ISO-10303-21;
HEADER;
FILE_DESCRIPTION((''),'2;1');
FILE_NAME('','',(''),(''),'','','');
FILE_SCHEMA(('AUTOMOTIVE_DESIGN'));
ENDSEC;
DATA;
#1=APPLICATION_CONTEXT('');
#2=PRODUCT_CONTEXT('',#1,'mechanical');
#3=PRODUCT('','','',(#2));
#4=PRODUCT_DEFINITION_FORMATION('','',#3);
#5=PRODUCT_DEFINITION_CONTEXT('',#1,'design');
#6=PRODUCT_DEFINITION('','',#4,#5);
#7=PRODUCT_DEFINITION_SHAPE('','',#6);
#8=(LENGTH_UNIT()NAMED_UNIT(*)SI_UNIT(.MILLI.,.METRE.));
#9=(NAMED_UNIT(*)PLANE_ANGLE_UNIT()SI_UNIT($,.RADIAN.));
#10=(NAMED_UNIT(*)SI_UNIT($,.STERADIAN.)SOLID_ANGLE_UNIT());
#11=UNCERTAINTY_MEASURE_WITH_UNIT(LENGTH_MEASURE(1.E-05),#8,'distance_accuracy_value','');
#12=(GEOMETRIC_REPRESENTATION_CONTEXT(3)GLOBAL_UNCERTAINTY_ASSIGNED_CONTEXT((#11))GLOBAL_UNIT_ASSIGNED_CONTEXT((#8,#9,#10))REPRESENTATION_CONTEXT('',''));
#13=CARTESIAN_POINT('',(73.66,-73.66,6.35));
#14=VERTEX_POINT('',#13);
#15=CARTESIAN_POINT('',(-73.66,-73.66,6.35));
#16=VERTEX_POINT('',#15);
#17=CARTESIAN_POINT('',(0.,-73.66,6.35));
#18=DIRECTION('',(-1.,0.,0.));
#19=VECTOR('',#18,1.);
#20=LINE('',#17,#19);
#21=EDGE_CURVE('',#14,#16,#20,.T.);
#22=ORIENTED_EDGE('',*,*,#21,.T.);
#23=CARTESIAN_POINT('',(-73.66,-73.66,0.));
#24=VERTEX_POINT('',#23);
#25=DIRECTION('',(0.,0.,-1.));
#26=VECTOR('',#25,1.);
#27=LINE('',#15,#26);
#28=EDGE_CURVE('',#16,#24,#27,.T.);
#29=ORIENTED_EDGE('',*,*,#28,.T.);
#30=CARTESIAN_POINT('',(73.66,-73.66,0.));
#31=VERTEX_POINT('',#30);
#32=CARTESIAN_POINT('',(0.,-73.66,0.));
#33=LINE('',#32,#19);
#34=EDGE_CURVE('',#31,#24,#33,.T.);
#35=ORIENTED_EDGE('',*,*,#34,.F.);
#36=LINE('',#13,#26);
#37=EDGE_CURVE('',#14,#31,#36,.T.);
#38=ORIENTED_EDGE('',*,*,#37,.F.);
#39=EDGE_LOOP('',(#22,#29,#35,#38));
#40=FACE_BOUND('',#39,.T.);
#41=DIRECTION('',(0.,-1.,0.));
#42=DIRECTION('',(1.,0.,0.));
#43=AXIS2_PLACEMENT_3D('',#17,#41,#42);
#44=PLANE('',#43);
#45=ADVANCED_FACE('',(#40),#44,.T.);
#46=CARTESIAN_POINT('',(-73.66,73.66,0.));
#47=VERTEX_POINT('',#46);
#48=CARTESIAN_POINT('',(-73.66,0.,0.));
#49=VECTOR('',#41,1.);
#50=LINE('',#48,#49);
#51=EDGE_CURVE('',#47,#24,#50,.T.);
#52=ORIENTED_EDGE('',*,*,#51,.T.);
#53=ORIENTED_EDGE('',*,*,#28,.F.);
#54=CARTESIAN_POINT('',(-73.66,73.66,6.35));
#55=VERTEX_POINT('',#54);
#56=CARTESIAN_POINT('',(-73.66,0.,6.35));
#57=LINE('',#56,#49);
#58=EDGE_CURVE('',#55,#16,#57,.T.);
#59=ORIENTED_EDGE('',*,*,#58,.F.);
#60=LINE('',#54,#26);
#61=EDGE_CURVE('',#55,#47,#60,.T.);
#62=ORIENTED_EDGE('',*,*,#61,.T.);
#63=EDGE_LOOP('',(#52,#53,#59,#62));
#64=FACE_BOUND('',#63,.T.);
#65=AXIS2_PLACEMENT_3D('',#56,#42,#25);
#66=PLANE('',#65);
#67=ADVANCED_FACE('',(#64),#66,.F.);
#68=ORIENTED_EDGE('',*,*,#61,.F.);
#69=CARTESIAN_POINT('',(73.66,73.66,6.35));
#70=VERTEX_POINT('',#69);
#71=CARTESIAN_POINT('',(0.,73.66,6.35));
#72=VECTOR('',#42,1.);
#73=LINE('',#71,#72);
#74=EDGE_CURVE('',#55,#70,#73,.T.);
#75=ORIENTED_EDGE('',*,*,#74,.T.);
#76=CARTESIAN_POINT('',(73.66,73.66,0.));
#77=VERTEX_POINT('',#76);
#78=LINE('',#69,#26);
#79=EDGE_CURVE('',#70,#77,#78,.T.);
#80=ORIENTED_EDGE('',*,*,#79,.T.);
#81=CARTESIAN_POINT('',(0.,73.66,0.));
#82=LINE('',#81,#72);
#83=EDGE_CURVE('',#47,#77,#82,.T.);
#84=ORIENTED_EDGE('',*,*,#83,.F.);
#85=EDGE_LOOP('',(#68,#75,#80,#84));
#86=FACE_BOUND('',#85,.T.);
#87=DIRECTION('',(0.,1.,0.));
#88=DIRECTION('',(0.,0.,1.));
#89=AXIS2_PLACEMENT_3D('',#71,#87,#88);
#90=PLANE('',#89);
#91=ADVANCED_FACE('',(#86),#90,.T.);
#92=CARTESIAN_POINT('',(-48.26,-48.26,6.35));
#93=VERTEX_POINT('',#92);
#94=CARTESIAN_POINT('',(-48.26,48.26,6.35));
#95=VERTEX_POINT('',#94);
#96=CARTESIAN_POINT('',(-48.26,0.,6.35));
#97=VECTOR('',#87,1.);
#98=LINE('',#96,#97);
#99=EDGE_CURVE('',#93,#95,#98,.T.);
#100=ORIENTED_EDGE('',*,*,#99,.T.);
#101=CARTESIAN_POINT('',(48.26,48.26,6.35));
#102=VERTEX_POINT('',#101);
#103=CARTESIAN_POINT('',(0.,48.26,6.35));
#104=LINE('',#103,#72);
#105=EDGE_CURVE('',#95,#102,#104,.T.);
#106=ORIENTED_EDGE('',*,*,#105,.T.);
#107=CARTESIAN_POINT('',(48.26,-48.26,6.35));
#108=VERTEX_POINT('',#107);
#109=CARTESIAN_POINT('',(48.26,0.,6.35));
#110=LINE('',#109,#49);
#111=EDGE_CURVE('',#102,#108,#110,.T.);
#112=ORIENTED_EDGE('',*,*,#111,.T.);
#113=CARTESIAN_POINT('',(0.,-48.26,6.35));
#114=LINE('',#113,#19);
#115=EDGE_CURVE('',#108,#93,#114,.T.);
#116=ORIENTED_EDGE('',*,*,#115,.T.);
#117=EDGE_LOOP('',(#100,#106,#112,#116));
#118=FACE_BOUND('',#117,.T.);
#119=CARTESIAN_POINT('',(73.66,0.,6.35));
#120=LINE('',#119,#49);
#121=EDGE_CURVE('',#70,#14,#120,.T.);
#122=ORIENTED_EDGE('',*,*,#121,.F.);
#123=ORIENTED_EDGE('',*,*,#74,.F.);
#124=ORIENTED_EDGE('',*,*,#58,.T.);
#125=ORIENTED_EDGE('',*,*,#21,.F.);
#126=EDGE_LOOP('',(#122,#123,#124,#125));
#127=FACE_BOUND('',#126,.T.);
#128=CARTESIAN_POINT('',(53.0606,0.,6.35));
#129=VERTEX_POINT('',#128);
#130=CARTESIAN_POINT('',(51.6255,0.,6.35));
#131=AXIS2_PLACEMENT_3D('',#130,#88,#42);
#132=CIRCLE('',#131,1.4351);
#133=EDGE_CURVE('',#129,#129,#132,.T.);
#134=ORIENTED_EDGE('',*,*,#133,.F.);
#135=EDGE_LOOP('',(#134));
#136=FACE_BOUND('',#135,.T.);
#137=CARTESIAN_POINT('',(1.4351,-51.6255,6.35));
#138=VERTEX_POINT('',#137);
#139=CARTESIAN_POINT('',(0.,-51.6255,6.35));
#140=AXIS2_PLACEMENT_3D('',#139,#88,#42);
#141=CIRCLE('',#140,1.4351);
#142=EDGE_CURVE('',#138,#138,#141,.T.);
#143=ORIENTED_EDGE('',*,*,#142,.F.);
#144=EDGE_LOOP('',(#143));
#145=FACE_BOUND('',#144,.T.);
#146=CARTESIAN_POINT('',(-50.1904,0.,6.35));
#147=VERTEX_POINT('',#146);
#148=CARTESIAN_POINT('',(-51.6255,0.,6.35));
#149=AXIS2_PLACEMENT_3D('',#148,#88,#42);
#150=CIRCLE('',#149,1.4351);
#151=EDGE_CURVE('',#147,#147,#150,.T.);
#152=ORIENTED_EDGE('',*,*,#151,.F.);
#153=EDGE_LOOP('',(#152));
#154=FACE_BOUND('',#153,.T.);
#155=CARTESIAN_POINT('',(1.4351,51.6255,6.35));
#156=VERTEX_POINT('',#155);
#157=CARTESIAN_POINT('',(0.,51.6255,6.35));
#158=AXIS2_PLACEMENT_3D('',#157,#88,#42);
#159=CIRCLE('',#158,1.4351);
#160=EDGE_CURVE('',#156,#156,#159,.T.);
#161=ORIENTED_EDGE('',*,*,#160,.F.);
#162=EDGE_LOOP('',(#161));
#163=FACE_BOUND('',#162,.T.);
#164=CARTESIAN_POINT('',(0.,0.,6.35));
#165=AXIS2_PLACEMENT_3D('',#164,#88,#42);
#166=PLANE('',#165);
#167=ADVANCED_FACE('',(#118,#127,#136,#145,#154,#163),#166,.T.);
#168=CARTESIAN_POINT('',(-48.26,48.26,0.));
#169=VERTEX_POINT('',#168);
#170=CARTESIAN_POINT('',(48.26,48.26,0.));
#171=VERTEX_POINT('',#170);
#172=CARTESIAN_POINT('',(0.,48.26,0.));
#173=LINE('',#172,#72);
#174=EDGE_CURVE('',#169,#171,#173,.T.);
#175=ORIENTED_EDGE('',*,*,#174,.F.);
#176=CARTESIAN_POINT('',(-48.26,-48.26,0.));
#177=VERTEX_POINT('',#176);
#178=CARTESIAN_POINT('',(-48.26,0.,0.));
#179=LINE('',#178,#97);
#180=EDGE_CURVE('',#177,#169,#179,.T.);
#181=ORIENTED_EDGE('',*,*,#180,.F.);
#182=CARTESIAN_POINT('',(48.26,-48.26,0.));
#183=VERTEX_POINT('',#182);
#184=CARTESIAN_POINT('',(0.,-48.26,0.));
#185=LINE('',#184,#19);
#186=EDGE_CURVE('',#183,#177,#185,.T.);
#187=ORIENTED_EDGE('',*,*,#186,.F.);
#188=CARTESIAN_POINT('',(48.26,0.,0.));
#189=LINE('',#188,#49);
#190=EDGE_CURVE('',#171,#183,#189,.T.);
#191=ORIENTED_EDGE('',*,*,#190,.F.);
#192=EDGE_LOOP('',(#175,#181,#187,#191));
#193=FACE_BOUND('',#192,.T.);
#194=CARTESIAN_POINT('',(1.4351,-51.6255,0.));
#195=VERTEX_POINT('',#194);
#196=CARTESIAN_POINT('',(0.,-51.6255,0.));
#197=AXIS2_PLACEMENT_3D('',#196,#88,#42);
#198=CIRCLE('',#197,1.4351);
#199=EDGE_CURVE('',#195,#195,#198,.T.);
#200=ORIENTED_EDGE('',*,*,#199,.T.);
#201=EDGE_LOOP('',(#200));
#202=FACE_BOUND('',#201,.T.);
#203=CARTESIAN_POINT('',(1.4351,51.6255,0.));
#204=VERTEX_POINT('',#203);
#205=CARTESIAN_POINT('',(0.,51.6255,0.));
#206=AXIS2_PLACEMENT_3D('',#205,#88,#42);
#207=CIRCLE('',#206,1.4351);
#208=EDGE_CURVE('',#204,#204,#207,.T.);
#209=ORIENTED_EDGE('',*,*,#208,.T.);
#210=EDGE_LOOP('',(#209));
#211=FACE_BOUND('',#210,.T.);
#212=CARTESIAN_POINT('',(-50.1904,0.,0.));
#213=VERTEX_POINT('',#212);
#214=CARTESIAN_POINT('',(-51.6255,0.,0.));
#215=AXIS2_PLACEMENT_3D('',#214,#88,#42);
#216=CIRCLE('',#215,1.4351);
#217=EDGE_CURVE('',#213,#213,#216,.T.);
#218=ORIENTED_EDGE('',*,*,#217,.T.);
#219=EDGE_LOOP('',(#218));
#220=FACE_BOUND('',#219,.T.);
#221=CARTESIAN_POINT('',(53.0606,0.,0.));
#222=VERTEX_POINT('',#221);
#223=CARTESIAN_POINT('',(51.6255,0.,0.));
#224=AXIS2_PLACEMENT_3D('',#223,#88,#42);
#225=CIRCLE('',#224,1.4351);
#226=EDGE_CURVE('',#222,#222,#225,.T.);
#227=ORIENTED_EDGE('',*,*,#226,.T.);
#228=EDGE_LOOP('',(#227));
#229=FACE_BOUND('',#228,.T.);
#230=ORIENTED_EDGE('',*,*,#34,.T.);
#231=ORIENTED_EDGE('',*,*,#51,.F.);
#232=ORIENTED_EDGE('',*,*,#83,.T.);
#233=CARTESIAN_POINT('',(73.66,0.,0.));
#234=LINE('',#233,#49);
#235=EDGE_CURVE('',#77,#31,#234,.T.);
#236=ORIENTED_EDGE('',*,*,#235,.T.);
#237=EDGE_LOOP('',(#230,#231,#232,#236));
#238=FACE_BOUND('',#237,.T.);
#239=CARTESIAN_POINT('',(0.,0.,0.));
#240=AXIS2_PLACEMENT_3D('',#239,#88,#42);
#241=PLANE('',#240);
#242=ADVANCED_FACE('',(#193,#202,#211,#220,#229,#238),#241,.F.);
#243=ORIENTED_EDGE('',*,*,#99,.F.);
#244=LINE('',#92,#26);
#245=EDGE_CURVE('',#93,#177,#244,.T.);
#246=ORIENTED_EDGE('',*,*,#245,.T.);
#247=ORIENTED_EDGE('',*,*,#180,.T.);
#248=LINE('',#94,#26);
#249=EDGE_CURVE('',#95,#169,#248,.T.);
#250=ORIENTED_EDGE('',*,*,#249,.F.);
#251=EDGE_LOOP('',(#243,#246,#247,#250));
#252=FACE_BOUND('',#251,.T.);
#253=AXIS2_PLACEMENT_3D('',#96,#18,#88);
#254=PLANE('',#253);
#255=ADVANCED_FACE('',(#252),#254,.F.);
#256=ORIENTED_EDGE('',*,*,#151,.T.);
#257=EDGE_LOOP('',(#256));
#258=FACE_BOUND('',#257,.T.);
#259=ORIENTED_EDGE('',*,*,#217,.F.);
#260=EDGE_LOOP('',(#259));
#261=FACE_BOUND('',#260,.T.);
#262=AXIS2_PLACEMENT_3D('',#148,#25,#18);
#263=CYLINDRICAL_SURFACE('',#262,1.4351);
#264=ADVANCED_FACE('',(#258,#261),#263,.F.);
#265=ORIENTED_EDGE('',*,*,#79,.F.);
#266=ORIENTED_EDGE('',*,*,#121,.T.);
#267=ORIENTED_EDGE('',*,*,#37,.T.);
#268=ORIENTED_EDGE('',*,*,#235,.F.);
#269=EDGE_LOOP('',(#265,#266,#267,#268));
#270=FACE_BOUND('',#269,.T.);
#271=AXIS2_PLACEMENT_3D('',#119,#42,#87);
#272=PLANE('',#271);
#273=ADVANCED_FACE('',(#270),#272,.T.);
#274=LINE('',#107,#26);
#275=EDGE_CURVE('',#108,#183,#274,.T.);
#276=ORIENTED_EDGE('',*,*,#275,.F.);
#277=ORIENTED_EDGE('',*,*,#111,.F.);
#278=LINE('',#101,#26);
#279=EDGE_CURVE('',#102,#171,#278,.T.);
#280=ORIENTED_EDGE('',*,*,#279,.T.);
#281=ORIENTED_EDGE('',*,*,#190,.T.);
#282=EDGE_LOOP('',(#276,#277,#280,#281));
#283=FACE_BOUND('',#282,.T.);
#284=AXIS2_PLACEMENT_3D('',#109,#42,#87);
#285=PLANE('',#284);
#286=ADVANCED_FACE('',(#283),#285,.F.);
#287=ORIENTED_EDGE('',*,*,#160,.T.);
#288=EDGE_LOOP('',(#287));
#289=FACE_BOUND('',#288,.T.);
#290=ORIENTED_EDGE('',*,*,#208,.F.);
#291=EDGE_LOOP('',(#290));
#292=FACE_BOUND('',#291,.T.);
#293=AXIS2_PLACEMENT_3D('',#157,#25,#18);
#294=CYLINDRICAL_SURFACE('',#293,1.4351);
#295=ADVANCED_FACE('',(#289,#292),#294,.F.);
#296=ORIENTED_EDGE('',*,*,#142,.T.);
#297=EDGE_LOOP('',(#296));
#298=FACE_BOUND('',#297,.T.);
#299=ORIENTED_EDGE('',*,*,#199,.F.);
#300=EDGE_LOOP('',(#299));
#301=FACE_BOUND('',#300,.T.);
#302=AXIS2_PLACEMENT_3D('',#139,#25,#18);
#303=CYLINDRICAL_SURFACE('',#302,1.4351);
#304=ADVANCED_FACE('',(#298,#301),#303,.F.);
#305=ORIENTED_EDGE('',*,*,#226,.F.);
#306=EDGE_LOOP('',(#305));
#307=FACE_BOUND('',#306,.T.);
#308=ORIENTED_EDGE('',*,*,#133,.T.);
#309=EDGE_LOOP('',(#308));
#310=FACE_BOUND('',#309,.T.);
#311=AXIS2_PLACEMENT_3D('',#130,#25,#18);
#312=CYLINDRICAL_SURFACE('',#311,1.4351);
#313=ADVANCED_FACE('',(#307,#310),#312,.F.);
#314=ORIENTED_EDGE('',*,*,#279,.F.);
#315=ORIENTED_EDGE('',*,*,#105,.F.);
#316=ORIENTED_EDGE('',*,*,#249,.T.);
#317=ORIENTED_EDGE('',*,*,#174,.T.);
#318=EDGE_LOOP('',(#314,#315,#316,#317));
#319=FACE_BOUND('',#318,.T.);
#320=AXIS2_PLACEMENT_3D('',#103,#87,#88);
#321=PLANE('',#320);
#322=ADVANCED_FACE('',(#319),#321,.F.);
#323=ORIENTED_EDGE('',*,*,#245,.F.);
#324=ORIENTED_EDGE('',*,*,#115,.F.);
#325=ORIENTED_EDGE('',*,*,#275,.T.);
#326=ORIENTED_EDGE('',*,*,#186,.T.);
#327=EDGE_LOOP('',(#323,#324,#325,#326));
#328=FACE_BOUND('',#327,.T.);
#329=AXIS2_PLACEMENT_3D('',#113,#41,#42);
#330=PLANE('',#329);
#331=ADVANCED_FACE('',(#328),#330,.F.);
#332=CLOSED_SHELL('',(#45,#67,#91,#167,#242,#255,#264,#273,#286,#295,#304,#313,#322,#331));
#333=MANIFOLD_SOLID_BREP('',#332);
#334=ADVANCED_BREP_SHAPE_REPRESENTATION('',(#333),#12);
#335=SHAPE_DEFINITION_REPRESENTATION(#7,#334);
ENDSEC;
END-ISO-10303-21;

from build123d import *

# Parameters (mm, degrees)
SKETCH1_W           = 147.32
SKETCH1_H           = 25.4
SKETCH1_R           = 1.4351
SKETCH1_W_2         = 25.4
SKETCH1_H_2         = 96.52
BOSS_EXTRUDE1_DEPTH = 6.35


with BuildPart() as part:
    # Sketch1 → Boss-Extrude1 (new body)
    with BuildSketch(Plane.XY):
        with Locations((0, 60.96)):
            Rectangle(SKETCH1_W, SKETCH1_H)
        with Locations((0, 51.6255)):
            Circle(SKETCH1_R, mode=Mode.SUBTRACT)
        with Locations((-60.96, 0)):
            Rectangle(SKETCH1_W_2, SKETCH1_H_2)
        with Locations((-51.6255, 0)):
            Circle(SKETCH1_R, mode=Mode.SUBTRACT)
        with Locations((60.96, 0)):
            Rectangle(SKETCH1_W_2, SKETCH1_H_2)
        with Locations((51.6255, 0)):
            Circle(SKETCH1_R, mode=Mode.SUBTRACT)
        Polygon((-48.26, -48.26), (-73.66, -48.26), (-73.66, -73.66), (73.66, -73.66), (73.66, -48.26), (48.26, -48.26), align=None)
        with Locations((0, -51.6255)):
            Circle(SKETCH1_R, mode=Mode.SUBTRACT)
    extrude(amount=BOSS_EXTRUDE1_DEPTH)


solid = part.part
